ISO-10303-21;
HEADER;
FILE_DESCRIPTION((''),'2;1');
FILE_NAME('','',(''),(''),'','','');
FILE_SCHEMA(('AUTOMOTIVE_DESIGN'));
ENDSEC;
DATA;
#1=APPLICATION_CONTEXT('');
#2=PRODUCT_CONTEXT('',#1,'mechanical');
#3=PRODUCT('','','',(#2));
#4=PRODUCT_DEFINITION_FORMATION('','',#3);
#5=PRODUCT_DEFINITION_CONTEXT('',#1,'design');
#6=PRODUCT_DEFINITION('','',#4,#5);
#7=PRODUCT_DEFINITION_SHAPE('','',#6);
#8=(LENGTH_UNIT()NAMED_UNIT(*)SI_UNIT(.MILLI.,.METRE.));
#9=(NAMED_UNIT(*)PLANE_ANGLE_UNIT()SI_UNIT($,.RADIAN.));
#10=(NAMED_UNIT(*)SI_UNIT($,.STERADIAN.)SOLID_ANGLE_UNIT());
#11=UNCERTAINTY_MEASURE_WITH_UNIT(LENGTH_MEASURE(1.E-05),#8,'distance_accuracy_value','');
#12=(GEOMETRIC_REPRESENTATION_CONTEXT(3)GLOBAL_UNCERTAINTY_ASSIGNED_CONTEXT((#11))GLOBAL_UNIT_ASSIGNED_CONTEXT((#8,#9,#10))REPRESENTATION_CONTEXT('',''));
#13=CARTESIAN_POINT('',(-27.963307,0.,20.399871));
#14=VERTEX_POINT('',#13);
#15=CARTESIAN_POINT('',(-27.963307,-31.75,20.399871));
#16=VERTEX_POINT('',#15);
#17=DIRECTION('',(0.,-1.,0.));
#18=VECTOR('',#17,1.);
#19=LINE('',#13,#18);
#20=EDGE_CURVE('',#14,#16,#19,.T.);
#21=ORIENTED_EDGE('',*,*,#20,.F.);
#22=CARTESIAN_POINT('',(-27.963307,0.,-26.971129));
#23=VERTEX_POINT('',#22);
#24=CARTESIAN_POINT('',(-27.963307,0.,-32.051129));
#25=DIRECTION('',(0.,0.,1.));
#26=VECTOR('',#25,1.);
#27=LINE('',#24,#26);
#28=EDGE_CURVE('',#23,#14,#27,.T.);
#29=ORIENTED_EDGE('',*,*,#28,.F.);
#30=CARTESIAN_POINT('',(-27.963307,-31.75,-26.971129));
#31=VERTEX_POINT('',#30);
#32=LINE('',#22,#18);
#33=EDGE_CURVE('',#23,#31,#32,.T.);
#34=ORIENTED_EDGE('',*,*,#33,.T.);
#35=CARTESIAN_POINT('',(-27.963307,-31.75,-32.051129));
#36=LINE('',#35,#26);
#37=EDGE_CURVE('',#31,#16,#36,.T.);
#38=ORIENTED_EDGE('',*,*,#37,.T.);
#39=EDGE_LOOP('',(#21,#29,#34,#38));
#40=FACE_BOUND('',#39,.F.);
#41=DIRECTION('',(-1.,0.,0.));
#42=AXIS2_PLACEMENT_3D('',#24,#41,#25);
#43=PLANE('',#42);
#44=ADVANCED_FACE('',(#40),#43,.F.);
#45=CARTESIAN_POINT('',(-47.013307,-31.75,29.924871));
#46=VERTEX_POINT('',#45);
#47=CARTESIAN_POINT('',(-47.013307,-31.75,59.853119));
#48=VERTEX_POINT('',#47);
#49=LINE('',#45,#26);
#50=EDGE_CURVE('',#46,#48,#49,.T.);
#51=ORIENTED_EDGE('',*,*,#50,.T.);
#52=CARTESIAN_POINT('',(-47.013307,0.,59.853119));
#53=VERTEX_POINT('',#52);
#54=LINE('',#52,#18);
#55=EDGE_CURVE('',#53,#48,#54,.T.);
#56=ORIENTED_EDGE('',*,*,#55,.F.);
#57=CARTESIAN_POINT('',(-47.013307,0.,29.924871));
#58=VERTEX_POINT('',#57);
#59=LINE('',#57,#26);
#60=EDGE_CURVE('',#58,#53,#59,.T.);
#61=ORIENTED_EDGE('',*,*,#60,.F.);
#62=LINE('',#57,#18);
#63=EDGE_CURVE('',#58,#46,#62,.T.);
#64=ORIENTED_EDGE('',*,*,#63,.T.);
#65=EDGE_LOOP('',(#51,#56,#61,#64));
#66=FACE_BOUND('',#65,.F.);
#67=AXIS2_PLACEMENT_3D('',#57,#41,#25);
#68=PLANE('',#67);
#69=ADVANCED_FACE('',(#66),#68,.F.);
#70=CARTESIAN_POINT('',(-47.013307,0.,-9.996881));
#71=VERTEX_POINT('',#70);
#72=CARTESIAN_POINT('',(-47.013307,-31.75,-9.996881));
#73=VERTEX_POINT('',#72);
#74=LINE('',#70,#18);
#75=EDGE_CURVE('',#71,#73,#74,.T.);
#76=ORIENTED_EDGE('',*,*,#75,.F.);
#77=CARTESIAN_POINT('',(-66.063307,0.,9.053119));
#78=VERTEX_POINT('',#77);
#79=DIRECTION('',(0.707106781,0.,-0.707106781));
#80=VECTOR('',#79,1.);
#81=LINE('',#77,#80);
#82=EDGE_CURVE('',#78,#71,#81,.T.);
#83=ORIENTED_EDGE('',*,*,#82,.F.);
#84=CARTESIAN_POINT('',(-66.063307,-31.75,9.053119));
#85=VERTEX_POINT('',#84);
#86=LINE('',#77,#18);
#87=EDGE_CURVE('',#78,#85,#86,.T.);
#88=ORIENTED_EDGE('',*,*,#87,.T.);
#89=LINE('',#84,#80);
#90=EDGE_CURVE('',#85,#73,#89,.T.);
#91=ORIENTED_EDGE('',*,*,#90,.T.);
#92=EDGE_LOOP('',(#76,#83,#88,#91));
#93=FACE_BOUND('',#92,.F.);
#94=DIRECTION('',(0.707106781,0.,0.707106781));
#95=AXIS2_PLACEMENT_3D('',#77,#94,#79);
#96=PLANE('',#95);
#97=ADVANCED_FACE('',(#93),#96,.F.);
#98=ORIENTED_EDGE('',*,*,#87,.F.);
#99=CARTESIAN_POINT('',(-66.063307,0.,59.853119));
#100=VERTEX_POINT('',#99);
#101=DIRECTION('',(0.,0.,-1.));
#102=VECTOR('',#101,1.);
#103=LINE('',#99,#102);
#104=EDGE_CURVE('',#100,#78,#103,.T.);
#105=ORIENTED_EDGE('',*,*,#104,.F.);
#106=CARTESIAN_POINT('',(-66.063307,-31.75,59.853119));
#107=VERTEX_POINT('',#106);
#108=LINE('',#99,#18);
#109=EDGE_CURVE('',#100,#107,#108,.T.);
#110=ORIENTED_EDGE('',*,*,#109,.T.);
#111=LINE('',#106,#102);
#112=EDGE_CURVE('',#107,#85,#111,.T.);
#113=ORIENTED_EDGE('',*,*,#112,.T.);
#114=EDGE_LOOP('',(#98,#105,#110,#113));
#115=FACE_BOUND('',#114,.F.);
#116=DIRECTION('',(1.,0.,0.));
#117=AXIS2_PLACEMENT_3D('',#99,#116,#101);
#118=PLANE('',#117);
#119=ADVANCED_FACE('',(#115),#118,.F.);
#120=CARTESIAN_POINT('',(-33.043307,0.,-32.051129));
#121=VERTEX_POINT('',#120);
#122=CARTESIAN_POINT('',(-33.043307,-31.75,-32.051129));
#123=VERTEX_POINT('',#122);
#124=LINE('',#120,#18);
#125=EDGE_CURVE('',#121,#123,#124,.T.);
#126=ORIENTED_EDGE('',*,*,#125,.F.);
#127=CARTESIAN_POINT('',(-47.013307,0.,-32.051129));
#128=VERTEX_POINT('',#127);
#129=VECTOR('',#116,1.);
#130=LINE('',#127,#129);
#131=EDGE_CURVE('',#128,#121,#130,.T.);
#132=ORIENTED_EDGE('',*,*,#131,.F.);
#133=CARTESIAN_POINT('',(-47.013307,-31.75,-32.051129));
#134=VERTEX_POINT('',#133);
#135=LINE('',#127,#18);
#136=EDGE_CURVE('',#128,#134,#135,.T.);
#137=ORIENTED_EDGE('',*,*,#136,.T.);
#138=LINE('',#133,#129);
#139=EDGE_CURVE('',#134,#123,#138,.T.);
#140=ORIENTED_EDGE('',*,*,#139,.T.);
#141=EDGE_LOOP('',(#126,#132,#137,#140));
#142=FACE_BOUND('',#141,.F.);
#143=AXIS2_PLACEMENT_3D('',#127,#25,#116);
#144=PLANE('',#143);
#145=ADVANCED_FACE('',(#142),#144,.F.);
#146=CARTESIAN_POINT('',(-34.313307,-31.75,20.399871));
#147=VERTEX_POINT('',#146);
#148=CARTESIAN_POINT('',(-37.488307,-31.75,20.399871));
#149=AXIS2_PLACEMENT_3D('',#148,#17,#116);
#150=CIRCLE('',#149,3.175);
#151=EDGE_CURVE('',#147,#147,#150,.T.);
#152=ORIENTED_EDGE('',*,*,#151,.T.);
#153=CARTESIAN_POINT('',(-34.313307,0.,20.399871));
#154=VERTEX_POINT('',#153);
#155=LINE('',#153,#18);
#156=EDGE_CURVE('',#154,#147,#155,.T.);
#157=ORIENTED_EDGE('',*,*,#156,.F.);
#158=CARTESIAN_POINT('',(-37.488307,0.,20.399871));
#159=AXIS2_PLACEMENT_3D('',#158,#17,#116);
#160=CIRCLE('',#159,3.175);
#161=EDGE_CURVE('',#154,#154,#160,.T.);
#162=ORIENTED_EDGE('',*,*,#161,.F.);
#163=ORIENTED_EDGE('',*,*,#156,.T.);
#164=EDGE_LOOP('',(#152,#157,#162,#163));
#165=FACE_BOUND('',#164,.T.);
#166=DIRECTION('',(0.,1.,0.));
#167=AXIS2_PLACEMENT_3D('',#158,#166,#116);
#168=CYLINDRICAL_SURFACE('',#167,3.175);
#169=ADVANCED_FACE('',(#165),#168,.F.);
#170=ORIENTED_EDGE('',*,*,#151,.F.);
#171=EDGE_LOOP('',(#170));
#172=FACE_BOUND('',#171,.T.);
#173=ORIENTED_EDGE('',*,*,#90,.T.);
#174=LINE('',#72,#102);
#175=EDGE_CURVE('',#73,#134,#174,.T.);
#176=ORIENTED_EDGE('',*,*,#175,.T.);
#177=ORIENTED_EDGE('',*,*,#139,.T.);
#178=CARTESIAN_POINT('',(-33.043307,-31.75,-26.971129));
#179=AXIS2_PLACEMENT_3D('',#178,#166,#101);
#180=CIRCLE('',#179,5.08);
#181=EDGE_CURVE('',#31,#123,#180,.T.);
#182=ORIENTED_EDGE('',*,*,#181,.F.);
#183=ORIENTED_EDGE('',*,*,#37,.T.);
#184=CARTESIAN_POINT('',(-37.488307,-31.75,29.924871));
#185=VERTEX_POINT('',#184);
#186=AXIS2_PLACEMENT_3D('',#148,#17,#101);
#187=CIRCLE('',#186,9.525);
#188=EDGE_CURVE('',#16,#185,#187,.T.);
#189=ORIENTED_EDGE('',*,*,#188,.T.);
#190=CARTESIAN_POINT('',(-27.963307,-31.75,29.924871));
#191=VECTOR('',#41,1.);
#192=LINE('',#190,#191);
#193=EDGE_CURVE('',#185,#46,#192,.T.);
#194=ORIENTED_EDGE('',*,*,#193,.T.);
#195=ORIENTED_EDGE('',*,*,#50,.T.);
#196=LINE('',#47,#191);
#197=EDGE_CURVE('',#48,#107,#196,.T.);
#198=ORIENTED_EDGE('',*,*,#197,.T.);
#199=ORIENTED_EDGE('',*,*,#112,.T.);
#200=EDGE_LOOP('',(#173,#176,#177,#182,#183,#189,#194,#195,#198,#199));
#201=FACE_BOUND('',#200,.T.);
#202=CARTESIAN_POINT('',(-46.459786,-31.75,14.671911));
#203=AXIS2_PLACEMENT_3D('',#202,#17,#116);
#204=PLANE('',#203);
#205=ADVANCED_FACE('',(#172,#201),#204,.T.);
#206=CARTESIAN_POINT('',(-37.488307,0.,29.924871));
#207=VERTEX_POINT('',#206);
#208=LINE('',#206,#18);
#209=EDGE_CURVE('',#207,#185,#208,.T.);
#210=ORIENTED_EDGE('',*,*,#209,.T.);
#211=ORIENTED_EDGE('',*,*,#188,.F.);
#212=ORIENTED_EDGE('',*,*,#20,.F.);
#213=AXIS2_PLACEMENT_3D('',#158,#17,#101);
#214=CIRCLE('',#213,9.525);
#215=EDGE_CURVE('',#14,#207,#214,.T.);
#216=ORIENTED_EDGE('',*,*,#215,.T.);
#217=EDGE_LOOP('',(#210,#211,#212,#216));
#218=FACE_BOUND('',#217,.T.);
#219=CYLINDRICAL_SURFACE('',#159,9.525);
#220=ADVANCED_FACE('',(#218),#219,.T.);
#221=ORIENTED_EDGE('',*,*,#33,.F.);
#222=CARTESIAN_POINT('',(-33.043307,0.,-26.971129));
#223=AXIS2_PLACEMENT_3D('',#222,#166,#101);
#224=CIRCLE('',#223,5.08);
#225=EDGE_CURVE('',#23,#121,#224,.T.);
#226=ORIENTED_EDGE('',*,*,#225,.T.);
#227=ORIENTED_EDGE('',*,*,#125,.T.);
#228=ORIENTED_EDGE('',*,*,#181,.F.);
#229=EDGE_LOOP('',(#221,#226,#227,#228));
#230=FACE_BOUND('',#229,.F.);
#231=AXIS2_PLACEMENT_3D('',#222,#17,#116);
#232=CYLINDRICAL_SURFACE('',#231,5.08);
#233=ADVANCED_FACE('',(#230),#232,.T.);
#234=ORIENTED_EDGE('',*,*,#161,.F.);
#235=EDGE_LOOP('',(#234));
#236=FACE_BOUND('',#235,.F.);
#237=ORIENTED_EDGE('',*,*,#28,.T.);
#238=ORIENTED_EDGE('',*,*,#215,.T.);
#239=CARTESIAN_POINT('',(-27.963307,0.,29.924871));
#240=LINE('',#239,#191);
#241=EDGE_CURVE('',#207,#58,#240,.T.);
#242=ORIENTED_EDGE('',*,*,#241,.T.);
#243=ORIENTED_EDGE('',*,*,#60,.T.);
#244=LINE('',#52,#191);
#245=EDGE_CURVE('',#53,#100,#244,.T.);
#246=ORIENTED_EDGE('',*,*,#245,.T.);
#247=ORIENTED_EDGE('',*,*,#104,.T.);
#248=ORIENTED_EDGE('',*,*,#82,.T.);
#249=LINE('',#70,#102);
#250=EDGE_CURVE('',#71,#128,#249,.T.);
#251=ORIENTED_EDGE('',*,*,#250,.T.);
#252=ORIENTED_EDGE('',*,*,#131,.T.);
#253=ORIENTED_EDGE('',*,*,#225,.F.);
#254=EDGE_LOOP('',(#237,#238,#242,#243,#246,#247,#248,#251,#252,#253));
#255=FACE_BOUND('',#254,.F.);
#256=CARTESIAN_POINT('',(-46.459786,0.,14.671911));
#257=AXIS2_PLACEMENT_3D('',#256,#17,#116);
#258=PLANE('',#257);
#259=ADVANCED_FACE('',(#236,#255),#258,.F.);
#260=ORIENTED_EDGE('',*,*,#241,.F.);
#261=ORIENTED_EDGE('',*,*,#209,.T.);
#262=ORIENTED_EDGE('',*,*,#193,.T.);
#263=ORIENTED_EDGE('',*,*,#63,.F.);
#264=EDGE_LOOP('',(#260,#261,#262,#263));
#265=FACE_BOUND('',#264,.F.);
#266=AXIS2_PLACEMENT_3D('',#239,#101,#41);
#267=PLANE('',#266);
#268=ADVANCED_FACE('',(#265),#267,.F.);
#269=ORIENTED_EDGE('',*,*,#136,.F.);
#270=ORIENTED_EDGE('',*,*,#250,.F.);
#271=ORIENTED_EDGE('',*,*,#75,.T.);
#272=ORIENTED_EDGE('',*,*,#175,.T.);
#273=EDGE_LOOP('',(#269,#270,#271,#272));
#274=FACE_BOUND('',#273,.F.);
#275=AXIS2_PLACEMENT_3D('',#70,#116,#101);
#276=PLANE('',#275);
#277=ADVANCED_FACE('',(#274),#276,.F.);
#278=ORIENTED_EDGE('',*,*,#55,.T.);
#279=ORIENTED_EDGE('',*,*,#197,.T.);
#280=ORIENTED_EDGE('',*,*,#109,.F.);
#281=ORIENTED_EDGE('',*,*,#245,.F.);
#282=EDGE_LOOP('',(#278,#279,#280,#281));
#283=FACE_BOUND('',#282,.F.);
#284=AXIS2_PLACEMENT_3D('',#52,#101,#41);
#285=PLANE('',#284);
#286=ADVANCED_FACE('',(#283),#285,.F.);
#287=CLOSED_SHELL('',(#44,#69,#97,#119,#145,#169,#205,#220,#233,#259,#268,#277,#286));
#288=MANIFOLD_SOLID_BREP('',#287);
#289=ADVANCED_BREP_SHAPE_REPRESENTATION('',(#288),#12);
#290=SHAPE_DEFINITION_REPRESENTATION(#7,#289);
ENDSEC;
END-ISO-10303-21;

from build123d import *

# Parameters (mm, degrees)
F0_R     = 3.175
F1_DEPTH = 31.75
F2_R     = 5.08
F3_R     = 9.525


with BuildPart() as f1:
    # F0 (on Front) → F1 (new body)
    with BuildSketch(Plane.XZ):
        Polygon((-27.963307, 29.924871), (-47.013307, 29.924871), (-47.013307, 59.853119), (-66.063307, 59.853119), (-66.063307, 9.053119), (-47.013307, -9.996881), (-47.013307, -32.051129), (-27.963307, -32.051129), align=None)
        with Locations((-37.488307, 20.399871)):
            Circle(F0_R, mode=Mode.SUBTRACT)
    extrude(amount=F1_DEPTH)

    # F2
    f2_edges = [f1.edges().sort_by_distance(p)[0] for p in [
        (-27.963307, -15.875, -32.051129),
    ]]
    fillet(f2_edges, radius=F2_R)

    # F3
    f3_edges = [f1.edges().sort_by_distance(p)[0] for p in [
        (-27.963307, -15.875, 29.924871),
    ]]
    fillet(f3_edges, radius=F3_R)


solid = f1.part
